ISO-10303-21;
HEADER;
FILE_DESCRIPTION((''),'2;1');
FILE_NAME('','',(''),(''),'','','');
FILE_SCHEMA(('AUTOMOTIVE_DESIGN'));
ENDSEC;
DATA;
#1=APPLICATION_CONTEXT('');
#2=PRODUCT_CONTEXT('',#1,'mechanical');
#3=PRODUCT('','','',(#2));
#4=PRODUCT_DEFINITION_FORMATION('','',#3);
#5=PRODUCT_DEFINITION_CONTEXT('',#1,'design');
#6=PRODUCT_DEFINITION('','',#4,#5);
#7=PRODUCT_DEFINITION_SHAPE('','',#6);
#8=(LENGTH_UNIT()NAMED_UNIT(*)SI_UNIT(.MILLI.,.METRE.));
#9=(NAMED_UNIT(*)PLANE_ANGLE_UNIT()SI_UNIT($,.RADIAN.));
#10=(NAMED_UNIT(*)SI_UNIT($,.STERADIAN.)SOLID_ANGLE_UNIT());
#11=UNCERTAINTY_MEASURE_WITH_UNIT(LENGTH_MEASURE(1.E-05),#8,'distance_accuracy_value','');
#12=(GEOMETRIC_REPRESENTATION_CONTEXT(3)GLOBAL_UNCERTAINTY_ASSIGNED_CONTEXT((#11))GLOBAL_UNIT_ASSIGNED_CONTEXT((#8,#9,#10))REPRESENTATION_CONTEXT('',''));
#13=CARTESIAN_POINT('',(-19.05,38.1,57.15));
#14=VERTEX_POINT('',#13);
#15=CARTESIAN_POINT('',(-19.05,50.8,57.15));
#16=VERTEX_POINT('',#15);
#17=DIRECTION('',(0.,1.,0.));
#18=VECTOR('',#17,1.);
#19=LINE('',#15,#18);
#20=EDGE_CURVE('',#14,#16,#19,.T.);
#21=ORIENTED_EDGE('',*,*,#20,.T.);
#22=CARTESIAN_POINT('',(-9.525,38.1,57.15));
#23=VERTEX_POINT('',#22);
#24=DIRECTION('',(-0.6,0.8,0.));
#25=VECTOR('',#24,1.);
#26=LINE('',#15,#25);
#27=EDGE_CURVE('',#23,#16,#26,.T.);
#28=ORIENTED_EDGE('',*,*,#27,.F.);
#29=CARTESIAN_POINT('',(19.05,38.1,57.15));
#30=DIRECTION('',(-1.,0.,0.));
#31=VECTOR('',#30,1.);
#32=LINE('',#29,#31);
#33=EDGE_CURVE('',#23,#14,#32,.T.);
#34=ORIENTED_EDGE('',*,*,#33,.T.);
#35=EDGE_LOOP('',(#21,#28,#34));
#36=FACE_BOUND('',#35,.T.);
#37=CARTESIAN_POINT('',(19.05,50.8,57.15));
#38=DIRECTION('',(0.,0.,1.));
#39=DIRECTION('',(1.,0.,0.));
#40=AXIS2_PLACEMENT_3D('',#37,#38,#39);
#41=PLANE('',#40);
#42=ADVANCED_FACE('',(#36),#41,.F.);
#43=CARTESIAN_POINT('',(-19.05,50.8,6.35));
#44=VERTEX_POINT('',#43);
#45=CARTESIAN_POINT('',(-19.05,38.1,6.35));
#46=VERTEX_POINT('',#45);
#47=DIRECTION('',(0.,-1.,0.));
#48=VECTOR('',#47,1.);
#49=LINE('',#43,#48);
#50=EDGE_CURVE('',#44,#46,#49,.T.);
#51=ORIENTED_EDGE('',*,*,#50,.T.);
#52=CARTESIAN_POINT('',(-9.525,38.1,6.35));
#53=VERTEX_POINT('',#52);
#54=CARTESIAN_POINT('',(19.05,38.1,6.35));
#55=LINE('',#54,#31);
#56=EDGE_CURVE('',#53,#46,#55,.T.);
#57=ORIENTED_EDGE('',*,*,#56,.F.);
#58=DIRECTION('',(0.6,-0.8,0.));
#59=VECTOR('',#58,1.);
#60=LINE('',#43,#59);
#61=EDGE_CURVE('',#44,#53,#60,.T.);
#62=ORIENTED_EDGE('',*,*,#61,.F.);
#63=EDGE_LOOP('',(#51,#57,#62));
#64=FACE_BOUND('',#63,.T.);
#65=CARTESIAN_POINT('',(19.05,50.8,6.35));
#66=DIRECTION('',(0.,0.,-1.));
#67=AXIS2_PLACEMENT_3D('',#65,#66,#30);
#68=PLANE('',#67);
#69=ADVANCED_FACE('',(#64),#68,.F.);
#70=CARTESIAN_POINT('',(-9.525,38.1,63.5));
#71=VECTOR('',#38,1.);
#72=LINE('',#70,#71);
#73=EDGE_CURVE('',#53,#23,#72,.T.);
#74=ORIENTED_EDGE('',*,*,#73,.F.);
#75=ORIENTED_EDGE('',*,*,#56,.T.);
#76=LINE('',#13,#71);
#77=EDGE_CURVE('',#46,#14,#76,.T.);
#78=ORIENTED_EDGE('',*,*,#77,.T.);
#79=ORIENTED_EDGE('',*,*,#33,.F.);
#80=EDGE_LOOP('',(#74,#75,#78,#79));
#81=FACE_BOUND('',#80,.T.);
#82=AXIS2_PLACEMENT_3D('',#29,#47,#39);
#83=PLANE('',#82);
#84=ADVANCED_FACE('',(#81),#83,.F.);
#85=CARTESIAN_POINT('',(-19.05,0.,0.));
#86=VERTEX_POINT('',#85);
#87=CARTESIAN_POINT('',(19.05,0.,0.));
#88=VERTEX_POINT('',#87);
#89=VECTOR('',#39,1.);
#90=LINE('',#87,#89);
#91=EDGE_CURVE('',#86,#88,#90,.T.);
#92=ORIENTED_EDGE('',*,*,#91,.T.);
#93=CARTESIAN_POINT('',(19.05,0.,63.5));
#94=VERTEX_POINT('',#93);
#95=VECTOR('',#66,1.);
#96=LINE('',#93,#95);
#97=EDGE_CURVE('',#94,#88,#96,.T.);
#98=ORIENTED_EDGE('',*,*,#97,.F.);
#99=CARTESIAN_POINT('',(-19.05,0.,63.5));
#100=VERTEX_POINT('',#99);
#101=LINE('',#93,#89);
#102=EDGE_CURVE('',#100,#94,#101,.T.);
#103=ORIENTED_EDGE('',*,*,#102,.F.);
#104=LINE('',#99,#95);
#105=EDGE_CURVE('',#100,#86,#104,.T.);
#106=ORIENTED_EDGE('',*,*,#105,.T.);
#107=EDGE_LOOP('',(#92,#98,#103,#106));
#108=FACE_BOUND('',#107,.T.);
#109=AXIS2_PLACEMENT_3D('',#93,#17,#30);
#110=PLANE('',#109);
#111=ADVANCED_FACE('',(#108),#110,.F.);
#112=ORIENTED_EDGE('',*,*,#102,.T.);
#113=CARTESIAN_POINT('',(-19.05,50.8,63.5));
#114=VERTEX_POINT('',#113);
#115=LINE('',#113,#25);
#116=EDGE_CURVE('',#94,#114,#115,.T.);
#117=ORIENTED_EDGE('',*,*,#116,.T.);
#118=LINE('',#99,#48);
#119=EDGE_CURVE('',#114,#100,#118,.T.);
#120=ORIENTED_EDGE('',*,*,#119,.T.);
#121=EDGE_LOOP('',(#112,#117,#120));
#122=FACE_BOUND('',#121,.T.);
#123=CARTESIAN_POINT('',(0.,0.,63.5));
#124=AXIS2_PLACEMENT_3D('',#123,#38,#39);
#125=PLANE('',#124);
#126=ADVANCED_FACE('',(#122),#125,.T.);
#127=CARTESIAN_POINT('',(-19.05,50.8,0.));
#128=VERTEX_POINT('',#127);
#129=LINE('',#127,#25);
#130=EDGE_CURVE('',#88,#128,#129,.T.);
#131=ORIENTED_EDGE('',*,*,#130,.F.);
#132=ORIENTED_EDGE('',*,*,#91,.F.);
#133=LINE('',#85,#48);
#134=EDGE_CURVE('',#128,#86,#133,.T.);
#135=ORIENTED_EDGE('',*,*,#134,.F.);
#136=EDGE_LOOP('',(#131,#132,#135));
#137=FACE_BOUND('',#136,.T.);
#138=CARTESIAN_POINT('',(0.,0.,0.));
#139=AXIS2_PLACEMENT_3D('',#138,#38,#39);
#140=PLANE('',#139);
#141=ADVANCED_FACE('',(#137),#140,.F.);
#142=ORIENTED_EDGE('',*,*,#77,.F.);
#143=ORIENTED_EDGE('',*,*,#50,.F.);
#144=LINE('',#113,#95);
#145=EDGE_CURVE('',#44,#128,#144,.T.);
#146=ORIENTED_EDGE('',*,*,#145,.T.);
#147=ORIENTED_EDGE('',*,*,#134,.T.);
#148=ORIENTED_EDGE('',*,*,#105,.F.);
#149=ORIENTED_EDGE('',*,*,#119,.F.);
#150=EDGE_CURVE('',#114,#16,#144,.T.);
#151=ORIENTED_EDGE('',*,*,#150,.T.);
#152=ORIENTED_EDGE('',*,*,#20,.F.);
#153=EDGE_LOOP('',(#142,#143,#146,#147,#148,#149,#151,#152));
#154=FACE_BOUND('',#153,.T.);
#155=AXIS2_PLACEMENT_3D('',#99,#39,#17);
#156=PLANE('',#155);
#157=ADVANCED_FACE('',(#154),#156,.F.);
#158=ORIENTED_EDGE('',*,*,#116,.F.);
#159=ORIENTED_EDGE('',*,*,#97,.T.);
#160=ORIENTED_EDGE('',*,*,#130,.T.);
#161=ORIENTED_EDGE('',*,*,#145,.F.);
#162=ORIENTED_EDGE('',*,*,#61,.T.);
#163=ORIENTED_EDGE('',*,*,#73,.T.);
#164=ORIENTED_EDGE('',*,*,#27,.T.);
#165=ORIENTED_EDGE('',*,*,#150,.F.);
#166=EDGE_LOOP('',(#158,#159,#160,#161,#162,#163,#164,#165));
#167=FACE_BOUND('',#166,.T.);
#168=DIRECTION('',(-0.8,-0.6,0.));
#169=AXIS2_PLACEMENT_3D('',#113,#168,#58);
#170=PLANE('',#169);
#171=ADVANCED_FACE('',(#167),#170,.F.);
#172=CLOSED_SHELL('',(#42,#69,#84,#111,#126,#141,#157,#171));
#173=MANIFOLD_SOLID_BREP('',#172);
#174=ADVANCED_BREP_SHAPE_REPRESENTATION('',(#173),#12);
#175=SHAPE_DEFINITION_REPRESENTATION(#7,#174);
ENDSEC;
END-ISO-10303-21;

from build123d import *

# Parameters (mm, degrees)
BOSS_EXTRUDE1_DEPTH = 63.5
SKETCH2_W           = 50.8
SKETCH2_H           = 12.7
CUT_EXTRUDE2_DEPTH  = 39.1


with BuildPart() as part:
    # Sketch1 → Boss-Extrude1 (new body)
    with BuildSketch(Plane.XY):
        Polygon((19.05, 0), (-19.05, 0), (-19.05, 50.8), align=None)
    extrude(amount=BOSS_EXTRUDE1_DEPTH)

    # Sketch2 → Cut-Extrude2 (cut, through all)
    with BuildSketch(Plane.ZY.offset(19.05)):
        with Locations((31.75, 44.45)):
            Rectangle(SKETCH2_W, SKETCH2_H)
    extrude(amount=-CUT_EXTRUDE2_DEPTH, mode=Mode.SUBTRACT)


solid = part.part
